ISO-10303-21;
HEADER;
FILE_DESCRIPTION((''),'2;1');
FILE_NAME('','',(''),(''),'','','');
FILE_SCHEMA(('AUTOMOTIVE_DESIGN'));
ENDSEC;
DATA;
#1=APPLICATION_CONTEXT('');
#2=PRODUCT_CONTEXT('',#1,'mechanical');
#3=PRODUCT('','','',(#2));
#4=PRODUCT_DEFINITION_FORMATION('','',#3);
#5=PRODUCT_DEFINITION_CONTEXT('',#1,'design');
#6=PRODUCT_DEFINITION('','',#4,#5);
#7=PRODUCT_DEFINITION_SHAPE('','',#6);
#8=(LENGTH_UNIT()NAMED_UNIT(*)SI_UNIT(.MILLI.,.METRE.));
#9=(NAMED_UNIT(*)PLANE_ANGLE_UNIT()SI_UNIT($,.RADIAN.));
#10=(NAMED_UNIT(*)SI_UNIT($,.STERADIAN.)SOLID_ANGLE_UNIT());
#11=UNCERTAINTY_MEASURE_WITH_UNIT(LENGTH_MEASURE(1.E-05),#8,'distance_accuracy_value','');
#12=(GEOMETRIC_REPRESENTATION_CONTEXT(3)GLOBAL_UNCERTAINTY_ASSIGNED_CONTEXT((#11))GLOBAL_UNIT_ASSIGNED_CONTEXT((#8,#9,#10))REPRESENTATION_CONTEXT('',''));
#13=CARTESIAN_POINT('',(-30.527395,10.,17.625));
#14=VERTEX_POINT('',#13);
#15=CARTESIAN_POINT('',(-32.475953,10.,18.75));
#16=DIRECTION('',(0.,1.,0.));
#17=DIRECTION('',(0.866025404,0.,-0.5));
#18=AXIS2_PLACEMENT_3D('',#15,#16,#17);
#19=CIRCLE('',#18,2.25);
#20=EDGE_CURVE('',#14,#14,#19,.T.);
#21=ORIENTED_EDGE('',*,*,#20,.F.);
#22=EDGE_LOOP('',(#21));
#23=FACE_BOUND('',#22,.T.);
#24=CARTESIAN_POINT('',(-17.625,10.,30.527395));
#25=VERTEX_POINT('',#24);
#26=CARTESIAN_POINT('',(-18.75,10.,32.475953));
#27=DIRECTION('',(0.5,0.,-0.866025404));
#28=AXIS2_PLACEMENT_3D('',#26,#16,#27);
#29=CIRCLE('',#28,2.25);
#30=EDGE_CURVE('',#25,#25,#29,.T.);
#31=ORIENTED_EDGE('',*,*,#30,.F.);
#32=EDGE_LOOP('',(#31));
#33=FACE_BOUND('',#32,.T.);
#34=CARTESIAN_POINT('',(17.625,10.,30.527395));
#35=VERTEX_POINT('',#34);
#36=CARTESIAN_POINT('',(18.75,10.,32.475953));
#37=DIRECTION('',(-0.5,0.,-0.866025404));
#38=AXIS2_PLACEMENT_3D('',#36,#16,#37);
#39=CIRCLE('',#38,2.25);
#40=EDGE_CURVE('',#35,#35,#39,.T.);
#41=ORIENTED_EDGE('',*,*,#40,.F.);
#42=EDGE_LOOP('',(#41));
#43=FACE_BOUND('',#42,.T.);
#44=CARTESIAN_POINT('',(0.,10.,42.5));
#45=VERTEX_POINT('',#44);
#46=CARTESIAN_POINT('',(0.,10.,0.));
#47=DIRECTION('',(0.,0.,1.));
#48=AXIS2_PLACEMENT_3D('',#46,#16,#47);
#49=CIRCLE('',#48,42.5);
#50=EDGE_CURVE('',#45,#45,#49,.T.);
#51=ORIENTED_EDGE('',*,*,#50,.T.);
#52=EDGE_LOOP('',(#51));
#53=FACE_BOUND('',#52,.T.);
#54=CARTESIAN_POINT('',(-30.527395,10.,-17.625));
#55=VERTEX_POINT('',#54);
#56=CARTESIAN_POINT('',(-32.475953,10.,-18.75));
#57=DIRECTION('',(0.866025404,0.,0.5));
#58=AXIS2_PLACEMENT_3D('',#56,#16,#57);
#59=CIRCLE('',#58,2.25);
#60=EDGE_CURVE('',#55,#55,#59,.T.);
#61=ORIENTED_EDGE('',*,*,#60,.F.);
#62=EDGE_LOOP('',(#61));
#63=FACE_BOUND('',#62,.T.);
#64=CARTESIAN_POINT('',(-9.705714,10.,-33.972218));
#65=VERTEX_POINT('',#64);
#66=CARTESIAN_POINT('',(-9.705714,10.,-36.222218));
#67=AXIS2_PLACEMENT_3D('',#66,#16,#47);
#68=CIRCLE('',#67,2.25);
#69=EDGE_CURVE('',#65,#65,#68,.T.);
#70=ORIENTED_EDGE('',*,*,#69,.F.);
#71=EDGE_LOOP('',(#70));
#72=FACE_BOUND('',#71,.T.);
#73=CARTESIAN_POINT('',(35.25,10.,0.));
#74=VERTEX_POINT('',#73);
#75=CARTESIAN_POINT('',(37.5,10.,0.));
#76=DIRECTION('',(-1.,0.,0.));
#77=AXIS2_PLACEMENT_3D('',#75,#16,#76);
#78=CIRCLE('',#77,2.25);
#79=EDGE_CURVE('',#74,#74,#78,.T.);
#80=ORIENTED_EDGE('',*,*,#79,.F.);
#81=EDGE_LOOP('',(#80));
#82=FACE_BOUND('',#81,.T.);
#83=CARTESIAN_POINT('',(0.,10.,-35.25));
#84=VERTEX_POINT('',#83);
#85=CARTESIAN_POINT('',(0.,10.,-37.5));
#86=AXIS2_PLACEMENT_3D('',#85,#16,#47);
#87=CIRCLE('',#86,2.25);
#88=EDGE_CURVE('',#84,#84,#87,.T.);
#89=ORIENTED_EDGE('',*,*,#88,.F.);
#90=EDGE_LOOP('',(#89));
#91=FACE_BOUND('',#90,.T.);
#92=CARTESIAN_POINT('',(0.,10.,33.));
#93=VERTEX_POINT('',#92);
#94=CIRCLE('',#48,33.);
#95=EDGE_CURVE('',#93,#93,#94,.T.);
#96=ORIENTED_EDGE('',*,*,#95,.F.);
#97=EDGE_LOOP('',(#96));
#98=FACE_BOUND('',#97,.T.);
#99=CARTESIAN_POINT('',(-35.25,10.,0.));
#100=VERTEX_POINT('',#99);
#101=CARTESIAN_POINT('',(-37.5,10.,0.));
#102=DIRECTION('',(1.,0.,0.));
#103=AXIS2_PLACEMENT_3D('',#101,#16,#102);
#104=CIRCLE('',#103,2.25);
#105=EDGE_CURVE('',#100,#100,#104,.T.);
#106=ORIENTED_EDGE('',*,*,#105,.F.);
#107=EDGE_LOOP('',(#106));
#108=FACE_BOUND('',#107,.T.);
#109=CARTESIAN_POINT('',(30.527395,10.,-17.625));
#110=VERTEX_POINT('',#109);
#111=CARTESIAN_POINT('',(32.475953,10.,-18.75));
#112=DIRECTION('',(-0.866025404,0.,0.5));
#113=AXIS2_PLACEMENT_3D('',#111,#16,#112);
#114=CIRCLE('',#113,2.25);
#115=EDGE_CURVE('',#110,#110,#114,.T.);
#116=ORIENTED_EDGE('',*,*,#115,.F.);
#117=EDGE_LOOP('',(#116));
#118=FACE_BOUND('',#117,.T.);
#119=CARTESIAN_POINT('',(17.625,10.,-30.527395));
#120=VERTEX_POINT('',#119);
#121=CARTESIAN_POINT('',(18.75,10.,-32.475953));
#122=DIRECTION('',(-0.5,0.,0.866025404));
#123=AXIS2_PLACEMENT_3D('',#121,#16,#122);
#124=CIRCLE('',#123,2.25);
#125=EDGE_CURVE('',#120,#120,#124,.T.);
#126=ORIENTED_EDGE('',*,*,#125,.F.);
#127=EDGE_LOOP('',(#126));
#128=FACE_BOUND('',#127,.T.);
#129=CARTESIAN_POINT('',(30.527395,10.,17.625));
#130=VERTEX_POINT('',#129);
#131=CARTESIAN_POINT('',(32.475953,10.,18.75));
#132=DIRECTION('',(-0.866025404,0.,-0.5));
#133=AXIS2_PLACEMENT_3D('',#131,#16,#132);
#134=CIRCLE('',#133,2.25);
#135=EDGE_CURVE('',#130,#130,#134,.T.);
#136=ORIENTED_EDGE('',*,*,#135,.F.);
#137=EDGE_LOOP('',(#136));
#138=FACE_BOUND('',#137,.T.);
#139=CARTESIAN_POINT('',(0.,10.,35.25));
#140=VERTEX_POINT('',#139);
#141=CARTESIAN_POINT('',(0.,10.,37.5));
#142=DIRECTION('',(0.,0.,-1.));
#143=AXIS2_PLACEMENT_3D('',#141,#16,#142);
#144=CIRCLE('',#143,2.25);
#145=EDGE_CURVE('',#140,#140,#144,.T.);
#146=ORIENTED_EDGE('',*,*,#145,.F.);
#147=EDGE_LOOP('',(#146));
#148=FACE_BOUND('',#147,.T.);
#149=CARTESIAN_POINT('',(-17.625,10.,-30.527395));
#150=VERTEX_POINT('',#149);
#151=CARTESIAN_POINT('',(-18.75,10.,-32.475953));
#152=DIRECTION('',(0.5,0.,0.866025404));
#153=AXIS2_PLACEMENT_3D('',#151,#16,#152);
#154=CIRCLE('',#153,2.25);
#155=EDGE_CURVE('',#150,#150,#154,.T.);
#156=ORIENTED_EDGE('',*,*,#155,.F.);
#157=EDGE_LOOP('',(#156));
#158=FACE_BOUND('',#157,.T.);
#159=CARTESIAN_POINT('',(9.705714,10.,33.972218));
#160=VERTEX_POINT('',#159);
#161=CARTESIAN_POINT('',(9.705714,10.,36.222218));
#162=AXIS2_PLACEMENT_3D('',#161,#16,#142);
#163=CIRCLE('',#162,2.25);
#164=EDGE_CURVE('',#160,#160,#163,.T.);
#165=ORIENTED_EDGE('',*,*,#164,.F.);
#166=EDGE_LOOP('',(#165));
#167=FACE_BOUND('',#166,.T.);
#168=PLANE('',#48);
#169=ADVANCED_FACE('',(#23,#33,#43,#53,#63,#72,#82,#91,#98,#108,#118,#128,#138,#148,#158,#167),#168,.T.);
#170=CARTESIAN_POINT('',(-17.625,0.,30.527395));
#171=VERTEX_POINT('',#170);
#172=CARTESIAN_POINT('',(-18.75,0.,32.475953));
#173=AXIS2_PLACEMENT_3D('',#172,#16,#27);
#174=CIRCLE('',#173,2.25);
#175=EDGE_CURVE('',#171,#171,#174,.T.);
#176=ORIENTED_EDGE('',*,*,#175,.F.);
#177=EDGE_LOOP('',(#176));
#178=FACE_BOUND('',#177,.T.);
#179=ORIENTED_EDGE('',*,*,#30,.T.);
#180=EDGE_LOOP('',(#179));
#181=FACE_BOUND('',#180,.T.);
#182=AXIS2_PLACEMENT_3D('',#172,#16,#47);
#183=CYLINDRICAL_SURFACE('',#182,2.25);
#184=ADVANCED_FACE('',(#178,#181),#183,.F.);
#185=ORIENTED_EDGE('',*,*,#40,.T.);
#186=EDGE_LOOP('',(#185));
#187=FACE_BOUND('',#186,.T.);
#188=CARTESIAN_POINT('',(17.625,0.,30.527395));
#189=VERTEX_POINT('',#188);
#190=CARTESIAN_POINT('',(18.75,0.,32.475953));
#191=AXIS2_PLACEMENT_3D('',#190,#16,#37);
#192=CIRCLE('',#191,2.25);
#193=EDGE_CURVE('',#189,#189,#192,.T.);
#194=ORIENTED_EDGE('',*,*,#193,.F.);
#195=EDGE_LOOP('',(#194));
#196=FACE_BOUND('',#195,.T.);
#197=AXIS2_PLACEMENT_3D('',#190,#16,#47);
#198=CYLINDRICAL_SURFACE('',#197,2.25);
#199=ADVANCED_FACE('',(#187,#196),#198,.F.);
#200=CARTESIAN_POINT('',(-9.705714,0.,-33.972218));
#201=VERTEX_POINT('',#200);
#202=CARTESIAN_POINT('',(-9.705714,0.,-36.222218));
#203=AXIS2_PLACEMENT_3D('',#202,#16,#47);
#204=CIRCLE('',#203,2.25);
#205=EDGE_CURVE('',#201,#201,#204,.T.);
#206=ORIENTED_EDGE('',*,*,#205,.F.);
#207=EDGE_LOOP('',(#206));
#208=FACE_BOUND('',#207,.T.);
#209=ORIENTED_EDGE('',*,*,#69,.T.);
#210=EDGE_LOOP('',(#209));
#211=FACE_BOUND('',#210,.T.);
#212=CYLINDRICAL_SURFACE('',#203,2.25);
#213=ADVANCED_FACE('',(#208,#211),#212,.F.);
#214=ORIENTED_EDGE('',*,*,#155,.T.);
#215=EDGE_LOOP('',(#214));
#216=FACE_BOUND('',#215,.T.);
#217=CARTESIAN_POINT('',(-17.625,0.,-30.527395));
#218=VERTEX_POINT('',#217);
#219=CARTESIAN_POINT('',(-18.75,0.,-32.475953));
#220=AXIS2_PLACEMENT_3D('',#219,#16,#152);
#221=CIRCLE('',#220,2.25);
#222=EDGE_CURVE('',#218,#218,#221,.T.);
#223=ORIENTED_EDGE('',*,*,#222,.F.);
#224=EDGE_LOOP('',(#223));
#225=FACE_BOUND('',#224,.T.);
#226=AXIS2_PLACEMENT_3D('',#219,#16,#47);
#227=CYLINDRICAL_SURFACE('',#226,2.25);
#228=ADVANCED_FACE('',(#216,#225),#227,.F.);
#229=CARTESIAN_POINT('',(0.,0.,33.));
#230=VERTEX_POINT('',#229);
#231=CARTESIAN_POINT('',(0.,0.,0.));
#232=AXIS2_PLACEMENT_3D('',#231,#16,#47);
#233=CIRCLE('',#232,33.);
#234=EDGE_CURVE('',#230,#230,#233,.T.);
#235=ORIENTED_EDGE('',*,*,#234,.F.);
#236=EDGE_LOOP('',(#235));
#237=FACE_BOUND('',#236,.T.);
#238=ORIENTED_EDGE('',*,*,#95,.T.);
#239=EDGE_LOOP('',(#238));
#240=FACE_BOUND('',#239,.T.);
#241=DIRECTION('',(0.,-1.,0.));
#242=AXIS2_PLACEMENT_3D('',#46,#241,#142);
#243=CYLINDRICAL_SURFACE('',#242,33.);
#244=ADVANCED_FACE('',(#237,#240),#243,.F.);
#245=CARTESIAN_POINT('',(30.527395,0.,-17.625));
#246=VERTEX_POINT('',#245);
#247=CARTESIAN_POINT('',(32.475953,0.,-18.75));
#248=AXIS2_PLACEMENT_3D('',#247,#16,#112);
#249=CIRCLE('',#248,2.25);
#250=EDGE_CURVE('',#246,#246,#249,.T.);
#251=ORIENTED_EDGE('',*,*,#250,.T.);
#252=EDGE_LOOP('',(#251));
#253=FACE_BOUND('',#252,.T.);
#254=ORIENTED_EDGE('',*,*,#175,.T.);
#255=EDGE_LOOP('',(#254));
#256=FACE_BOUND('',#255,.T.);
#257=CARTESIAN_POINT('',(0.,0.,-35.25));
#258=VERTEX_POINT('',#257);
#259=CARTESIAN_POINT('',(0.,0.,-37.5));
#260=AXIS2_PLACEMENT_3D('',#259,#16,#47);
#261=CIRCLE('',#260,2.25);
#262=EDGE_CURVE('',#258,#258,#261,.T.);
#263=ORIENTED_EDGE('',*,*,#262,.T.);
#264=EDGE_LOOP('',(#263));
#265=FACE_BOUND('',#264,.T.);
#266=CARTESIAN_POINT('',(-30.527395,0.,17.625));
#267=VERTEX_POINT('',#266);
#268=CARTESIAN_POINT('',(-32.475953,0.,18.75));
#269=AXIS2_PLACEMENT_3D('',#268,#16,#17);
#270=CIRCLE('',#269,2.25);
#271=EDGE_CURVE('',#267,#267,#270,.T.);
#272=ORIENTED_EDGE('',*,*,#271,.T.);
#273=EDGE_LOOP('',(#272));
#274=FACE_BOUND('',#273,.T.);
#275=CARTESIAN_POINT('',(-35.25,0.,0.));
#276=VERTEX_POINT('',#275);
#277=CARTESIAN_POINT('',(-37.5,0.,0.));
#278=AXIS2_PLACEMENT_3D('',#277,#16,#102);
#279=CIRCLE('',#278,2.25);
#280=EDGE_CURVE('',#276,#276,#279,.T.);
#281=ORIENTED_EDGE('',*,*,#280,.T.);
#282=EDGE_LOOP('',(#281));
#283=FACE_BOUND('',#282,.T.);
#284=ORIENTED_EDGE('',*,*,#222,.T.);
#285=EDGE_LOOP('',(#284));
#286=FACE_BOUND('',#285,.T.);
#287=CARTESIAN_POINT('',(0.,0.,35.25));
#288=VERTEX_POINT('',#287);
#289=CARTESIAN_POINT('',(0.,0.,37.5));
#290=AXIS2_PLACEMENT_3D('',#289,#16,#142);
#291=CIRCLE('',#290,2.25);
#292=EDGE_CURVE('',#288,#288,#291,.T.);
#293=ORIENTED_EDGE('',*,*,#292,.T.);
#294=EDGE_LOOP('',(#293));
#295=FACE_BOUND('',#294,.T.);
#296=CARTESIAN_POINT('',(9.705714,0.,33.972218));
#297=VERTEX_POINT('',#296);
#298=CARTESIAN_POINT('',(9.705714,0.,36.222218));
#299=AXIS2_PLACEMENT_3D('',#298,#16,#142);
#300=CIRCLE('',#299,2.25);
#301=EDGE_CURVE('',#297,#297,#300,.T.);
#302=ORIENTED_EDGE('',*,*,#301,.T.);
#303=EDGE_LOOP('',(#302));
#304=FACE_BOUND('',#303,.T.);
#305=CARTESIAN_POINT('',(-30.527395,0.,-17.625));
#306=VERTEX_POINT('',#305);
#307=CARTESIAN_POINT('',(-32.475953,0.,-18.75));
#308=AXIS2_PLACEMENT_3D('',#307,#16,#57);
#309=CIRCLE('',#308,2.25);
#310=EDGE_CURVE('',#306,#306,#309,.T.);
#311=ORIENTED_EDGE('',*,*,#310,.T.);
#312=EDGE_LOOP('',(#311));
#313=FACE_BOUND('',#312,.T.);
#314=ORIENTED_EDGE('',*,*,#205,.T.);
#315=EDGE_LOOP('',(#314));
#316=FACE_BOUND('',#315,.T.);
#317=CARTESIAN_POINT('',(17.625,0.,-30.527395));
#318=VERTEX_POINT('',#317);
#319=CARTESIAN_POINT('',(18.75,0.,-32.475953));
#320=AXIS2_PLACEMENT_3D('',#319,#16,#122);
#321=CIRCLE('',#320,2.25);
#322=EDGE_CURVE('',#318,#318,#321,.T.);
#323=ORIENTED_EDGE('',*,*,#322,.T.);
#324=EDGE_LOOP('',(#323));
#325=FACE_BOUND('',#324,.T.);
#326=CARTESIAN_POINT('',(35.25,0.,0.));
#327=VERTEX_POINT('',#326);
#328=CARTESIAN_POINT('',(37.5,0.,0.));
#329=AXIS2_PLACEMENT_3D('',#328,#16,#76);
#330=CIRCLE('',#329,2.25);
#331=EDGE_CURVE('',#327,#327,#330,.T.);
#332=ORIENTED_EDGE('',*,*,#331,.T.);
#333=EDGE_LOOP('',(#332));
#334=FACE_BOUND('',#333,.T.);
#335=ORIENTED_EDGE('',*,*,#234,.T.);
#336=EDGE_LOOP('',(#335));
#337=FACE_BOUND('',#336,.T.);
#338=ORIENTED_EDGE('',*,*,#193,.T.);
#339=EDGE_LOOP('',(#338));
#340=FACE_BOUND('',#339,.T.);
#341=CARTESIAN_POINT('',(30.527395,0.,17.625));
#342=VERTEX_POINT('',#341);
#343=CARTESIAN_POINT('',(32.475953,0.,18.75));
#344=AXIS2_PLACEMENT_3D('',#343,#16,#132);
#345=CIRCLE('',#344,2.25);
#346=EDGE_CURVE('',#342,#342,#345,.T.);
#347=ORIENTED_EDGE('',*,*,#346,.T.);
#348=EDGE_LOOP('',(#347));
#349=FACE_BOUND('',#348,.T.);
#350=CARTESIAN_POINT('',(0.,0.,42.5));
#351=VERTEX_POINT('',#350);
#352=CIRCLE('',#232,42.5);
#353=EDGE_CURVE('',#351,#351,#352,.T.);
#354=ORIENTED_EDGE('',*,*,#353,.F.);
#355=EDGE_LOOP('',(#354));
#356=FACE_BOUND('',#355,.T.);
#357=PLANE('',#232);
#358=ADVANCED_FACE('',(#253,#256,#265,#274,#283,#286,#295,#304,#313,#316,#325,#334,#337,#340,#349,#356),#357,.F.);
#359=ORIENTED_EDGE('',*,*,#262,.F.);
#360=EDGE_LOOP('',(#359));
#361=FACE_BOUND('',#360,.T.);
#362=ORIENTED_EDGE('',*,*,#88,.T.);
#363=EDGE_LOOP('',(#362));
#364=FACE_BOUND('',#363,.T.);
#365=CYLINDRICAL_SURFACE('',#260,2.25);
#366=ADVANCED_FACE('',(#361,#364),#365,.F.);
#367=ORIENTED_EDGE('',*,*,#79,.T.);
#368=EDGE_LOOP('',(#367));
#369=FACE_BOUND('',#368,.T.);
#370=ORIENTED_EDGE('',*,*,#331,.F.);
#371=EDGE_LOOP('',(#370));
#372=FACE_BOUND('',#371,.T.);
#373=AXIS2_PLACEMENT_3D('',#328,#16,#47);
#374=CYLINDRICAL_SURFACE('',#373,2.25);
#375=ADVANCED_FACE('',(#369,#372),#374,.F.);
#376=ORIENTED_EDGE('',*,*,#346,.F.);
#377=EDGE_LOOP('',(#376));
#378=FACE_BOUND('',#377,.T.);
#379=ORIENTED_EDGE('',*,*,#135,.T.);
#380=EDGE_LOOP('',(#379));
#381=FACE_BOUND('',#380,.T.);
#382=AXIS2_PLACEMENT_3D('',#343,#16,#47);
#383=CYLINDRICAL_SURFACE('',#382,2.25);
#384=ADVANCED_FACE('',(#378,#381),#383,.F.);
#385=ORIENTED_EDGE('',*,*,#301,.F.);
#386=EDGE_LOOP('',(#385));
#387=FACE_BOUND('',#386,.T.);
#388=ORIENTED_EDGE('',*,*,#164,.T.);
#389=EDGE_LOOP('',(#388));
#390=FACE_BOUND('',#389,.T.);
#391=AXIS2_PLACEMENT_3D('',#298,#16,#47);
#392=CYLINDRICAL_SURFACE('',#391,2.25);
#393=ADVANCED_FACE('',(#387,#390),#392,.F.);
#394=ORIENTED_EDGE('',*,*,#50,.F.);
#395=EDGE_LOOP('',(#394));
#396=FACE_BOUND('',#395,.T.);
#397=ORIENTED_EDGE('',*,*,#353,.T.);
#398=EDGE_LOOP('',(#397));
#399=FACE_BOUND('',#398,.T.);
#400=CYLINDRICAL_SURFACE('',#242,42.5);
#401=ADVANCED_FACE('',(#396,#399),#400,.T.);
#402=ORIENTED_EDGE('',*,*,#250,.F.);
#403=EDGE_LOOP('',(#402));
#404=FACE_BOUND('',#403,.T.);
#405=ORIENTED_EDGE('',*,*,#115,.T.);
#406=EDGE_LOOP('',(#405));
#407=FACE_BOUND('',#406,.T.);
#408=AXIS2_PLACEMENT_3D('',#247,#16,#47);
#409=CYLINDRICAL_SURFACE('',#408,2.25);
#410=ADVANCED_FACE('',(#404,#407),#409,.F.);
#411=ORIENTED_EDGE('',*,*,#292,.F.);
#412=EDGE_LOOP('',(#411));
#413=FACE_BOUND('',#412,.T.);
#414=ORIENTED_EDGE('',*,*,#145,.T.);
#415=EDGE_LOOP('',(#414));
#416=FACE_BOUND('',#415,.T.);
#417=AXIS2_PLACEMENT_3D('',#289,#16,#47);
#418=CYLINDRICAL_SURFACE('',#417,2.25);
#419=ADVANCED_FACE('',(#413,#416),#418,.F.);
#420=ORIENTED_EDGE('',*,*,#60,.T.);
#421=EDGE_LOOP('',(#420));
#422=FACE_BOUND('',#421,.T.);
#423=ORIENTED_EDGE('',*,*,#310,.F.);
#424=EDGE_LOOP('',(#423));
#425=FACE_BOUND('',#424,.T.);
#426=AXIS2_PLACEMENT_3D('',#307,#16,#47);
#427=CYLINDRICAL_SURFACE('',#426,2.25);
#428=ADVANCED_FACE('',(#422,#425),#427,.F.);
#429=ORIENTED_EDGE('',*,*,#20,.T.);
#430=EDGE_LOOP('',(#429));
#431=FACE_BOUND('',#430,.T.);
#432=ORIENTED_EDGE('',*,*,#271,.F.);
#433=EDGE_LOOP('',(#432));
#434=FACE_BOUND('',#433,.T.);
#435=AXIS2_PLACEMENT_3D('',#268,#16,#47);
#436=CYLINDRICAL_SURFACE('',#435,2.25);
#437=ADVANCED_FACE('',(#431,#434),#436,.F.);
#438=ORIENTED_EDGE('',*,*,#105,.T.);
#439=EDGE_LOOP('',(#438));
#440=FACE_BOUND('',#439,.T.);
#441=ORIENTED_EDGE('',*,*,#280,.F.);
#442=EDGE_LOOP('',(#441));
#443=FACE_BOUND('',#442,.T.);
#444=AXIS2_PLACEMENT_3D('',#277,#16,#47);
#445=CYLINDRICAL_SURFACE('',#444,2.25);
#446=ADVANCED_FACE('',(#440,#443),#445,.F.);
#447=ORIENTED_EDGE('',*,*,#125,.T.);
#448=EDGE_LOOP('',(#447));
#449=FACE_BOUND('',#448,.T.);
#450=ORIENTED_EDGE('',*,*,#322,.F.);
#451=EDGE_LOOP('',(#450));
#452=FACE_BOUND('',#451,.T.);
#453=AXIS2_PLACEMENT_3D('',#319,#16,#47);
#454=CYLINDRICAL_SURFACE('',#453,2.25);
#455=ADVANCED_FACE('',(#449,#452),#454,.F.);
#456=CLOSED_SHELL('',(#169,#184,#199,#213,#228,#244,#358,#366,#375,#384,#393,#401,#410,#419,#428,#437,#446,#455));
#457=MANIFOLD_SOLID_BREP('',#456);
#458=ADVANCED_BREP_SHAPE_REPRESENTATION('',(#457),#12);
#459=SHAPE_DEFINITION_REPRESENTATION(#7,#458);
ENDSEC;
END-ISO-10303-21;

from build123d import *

# Parameters (mm, degrees)
SKETCH1_R           = 42.5
SKETCH1_R_2         = 33
BOSS_EXTRUDE1_DEPTH = 10
SKETCH2_R           = 2.25
CUT_EXTRUDE1_DEPTH  = 11
CIRPATTERN1_COUNT   = 12
SKETCH3_R           = 2.25
CUT_EXTRUDE2_DEPTH  = 11
CIRPATTERN2_COUNT   = 2


with BuildPart() as part:
    # Sketch1 → Boss-Extrude1 (new body)
    with BuildSketch(Plane(origin=(0, 0, 0), x_dir=(1, 0, 0), z_dir=(0, 1, 0))):
        Circle(SKETCH1_R)
        Circle(SKETCH1_R_2, mode=Mode.SUBTRACT)
    extrude(amount=BOSS_EXTRUDE1_DEPTH)

    # Sketch2 → Cut-Extrude1 (cut, through all)
    with BuildSketch(Plane(origin=(0, 10, 0), x_dir=(1, 0, 0), z_dir=(0, 1, 0))):
        with Locations((0, 37.5)):
            Circle(SKETCH2_R)
    cut_extrude1 = extrude(amount=-CUT_EXTRUDE1_DEPTH, mode=Mode.SUBTRACT)

    # CirPattern1: Cut-Extrude1 ×12 about axis
    cirpattern1_axis = Axis((0, 0, 0), (0, 1, 0))
    for i in range(1, CIRPATTERN1_COUNT):
        add(cut_extrude1.rotate(cirpattern1_axis, i * 360 / CIRPATTERN1_COUNT), mode=Mode.SUBTRACT)

    # Sketch3 → Cut-Extrude2 (cut, through all)
    with BuildSketch(Plane(origin=(0, 10, 0), x_dir=(1, 0, 0), z_dir=(0, 1, 0))):
        with Locations((-9.705714191, 36.222218486)):
            Circle(SKETCH3_R)
    cut_extrude2 = extrude(amount=-CUT_EXTRUDE2_DEPTH, mode=Mode.SUBTRACT)

    # CirPattern2: Cut-Extrude2 ×2 about axis
    cirpattern2_axis = Axis((0, 0, 0), (0, 1, 0))
    for i in range(1, CIRPATTERN2_COUNT):
        add(cut_extrude2.rotate(cirpattern2_axis, i * 360 / CIRPATTERN2_COUNT), mode=Mode.SUBTRACT)


solid = part.part
